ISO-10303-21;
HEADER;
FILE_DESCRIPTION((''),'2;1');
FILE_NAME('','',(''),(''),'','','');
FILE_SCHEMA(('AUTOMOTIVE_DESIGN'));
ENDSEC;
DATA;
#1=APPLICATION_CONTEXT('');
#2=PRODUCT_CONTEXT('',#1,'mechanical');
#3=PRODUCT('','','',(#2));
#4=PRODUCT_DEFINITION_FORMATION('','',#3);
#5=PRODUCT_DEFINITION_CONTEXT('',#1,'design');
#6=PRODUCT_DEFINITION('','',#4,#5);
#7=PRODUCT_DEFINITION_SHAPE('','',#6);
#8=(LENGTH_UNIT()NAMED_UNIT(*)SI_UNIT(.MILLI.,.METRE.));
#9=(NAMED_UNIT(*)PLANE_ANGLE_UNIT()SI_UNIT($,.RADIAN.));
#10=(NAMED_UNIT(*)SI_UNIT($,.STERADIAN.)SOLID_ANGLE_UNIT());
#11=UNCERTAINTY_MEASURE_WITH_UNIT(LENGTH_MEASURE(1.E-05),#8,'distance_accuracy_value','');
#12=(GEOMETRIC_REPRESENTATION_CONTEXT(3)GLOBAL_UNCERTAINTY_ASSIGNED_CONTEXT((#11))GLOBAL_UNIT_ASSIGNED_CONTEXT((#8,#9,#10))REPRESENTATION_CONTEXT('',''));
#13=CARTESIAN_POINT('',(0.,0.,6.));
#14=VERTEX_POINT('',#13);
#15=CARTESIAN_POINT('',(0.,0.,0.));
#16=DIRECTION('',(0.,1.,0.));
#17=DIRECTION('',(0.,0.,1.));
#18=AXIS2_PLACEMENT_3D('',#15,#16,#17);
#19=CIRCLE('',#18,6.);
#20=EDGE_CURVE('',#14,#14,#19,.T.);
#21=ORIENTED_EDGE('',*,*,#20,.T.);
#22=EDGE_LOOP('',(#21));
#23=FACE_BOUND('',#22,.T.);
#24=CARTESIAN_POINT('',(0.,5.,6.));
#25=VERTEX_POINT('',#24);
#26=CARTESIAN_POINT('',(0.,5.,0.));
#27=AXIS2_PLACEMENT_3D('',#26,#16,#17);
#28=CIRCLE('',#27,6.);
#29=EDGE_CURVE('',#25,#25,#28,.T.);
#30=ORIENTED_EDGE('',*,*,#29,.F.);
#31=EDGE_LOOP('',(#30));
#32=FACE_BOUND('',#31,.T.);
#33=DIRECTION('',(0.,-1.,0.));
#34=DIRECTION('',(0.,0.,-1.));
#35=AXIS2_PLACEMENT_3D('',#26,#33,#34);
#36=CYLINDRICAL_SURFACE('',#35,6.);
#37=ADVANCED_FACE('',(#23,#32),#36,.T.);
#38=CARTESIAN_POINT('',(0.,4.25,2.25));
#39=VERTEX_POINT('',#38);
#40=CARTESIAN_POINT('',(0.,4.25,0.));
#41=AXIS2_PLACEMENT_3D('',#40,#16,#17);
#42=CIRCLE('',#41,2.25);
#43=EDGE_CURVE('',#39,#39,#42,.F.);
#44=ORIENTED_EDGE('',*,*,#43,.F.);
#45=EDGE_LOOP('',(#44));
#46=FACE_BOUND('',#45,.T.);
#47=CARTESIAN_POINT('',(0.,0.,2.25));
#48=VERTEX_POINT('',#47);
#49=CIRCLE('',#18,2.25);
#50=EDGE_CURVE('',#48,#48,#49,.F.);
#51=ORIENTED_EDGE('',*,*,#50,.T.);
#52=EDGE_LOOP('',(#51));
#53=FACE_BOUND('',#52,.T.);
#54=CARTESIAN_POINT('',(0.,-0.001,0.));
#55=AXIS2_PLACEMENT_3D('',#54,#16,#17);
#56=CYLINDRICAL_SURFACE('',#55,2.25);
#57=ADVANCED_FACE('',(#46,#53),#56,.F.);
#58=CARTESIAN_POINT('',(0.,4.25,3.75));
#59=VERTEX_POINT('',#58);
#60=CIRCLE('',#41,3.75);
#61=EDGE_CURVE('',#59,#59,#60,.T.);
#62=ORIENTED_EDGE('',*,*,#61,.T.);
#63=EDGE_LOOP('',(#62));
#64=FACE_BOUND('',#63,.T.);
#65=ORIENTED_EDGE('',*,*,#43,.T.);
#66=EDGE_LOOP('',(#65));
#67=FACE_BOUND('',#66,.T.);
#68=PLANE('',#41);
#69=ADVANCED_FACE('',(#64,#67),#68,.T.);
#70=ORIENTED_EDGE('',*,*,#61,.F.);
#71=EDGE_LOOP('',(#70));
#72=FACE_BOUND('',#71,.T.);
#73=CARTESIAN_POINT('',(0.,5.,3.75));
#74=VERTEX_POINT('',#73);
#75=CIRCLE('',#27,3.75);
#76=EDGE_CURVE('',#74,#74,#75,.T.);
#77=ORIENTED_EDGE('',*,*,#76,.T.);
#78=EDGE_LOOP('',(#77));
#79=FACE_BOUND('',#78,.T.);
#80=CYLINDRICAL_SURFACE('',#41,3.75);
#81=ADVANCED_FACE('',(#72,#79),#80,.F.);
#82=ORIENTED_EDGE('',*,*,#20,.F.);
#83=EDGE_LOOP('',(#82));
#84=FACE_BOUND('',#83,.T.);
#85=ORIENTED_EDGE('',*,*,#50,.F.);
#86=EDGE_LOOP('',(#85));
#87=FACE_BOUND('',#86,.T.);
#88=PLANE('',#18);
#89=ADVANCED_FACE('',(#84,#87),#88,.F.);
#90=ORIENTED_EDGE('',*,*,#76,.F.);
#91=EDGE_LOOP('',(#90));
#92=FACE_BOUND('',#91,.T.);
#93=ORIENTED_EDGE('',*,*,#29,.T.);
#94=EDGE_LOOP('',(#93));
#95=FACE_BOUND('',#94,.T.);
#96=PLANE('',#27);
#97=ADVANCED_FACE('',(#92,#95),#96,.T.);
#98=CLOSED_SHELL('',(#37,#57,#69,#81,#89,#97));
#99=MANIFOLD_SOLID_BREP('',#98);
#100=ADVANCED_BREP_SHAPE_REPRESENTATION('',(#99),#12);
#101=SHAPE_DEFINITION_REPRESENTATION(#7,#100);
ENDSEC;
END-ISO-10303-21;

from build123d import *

# Parameters (mm, degrees)
ESQUISSE1_R             = 6
BOSS_EXTRU_1_DEPTH      = 5
ENL_V_MAT_EXTRU_1_REACH = 7
ESQUISSE2_R             = 2.25
ESQUISSE3_R             = 3.75
ENL_V_MAT_EXTRU_2_DEPTH = 0.75


with BuildPart() as part:
    # Esquisse1 → Boss.-Extru.1 (new body)
    with BuildSketch(Plane(origin=(0, 0, 0), x_dir=(1, 0, 0), z_dir=(0, 1, 0))):
        Circle(ESQUISSE1_R)
    extrude(amount=BOSS_EXTRU_1_DEPTH)

    # Esquisse2 → Enlèv. mat.-Extru.1 (cut, up to next)
    with BuildSketch(Plane(origin=(0, 5, 0), x_dir=(1, 0, 0), z_dir=(0, 1, 0)), mode=Mode.PRIVATE) as enl_v_mat_extru_1_sk1:
        Circle(ESQUISSE2_R)
    enl_v_mat_extru_1_tool1 = extrude(enl_v_mat_extru_1_sk1.sketch, amount=-ENL_V_MAT_EXTRU_1_REACH, mode=Mode.PRIVATE) & part.part
    add(enl_v_mat_extru_1_tool1.solids().sort_by_distance((0, 5, 0))[0], mode=Mode.SUBTRACT)

    # Esquisse3 → Enlèv. mat.-Extru.2 (cut)
    with BuildSketch(Plane(origin=(0, 5, 0), x_dir=(1, 0, 0), z_dir=(0, 1, 0))):
        Circle(ESQUISSE3_R)
    extrude(amount=-ENL_V_MAT_EXTRU_2_DEPTH, mode=Mode.SUBTRACT)


solid = part.part
